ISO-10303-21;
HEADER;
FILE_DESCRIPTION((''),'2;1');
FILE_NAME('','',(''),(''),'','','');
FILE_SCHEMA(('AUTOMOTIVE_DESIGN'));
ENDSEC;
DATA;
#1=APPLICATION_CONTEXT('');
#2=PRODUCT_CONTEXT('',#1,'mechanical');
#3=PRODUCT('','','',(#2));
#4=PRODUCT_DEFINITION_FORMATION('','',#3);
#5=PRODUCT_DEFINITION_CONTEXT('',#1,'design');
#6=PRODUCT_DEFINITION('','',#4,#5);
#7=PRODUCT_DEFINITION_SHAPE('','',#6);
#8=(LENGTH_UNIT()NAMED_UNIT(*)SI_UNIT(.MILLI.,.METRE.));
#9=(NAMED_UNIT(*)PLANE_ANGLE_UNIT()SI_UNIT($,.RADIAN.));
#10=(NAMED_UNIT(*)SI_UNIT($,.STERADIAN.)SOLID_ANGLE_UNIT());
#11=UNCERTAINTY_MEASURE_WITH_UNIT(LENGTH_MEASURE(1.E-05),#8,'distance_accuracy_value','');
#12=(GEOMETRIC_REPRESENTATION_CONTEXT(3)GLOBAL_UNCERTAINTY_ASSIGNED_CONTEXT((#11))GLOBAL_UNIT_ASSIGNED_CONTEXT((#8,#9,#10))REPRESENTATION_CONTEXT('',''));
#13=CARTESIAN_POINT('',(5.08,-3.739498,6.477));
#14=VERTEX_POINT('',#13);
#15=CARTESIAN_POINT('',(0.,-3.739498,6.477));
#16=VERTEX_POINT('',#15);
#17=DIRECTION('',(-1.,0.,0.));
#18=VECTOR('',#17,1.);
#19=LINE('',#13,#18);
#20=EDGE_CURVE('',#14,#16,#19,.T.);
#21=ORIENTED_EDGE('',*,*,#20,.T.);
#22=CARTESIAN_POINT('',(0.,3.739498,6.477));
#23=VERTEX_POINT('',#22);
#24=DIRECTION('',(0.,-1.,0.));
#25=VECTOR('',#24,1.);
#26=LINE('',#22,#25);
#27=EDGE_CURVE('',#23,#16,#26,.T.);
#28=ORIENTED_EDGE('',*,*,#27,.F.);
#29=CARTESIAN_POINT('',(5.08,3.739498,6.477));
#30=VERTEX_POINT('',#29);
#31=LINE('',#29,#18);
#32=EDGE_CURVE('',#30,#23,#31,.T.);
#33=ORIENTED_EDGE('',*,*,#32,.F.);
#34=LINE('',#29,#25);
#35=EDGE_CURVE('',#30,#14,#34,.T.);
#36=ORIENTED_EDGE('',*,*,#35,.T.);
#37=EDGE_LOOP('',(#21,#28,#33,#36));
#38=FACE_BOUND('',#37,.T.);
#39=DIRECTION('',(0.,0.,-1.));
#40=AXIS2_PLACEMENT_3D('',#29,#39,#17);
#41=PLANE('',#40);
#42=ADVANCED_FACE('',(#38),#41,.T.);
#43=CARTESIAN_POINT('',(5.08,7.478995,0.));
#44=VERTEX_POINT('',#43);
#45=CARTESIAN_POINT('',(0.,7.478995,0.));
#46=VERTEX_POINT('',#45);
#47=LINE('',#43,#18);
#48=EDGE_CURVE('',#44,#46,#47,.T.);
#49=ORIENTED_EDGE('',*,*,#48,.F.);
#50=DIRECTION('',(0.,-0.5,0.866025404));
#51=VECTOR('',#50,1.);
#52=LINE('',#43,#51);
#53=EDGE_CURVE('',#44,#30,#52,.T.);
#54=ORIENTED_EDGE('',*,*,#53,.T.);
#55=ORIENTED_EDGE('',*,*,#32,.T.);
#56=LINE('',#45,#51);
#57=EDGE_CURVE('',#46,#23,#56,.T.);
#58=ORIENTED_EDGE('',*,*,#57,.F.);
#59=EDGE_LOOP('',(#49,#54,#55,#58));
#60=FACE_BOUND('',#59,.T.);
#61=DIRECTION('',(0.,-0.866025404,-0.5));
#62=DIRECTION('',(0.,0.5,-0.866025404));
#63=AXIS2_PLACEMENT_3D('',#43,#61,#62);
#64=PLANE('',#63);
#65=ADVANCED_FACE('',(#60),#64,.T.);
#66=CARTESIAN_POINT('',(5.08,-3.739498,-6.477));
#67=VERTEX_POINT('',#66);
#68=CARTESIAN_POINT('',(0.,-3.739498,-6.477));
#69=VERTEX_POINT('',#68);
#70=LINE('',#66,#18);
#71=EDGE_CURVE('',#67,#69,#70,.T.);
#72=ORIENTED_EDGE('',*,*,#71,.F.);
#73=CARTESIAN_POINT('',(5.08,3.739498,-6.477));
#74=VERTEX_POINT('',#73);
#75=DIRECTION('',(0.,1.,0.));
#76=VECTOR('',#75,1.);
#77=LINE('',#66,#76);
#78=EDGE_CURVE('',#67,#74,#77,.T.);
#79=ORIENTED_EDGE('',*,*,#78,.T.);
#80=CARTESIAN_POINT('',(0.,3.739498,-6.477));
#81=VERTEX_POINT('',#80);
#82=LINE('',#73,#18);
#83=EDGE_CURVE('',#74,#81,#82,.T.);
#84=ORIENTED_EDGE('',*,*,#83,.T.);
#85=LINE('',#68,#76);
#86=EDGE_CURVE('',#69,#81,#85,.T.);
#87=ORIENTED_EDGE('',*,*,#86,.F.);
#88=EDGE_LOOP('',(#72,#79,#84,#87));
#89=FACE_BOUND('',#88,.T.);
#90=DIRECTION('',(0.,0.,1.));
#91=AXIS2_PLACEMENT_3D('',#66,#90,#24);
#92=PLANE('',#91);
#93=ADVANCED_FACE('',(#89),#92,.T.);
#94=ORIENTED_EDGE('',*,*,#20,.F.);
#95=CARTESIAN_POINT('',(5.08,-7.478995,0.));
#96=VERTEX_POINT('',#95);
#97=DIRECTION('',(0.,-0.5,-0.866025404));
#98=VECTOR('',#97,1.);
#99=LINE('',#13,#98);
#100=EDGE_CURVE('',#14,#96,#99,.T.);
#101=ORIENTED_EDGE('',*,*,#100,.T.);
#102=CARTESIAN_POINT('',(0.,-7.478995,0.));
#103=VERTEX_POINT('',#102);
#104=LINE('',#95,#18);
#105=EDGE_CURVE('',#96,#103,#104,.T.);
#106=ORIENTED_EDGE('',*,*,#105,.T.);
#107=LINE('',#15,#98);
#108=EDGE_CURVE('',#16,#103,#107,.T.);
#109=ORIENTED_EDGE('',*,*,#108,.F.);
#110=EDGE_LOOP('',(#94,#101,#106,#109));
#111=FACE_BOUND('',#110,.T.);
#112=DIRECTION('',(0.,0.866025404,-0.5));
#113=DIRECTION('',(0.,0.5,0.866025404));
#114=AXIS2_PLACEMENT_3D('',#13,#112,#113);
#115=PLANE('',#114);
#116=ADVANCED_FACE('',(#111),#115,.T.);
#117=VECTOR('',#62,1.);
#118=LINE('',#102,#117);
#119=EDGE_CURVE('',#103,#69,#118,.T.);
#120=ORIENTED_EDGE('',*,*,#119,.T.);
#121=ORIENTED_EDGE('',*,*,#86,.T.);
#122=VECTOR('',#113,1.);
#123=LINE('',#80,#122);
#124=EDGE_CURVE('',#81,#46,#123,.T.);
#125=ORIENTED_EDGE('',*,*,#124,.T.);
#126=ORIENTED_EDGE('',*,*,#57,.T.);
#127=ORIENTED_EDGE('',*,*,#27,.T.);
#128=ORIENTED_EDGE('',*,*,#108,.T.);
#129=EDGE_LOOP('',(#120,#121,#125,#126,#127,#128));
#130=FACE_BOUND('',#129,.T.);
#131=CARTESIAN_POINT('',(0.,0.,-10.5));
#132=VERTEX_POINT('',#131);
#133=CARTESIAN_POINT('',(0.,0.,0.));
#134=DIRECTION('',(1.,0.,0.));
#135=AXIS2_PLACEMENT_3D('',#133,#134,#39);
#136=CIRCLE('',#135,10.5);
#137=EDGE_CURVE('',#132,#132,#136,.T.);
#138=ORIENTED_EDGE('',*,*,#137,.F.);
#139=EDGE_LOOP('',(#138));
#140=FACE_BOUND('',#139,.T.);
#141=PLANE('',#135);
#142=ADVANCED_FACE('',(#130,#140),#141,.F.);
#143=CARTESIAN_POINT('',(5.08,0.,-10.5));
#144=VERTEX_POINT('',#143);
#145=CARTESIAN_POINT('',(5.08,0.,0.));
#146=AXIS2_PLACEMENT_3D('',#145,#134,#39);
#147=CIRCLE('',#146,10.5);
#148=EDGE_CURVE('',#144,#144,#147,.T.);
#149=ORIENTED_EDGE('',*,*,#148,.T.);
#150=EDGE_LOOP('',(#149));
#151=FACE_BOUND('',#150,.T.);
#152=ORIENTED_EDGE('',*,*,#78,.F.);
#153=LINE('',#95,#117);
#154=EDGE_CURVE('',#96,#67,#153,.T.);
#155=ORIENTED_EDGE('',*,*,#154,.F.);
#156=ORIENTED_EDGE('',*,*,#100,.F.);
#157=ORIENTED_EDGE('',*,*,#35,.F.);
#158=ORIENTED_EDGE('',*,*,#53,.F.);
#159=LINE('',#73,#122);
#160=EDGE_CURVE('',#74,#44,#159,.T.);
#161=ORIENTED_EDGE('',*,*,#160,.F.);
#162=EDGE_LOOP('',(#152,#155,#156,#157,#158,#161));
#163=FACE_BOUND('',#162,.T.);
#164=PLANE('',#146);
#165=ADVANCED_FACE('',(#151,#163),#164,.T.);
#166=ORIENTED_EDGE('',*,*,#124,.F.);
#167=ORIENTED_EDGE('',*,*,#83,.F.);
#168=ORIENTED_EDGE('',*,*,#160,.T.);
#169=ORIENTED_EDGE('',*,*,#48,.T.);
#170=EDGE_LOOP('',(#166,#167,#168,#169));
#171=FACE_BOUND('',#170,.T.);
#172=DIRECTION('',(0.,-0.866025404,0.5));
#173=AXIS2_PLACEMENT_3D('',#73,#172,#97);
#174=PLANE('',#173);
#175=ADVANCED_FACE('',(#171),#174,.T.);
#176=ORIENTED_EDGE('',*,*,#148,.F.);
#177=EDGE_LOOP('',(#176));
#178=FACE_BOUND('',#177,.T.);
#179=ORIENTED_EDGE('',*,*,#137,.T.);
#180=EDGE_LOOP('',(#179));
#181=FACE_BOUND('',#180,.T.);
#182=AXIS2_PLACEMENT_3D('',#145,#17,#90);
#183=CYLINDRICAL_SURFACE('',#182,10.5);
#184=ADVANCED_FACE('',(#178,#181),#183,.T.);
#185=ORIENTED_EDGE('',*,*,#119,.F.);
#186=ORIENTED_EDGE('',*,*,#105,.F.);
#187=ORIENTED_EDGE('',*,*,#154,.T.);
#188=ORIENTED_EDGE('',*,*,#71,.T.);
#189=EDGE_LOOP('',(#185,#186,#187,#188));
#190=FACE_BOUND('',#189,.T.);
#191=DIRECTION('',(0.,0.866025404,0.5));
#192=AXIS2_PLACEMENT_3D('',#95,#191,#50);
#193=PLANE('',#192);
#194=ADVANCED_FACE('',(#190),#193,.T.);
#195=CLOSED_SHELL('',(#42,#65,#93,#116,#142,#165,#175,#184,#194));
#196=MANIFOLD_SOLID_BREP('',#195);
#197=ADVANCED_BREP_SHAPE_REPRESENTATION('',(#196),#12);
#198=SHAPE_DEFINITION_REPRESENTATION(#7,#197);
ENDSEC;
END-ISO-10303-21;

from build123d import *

# Parameters (mm, degrees)
SKETCH1_R           = 10.5
BOSS_EXTRUDE1_DEPTH = 5.08


with BuildPart() as part:
    # Sketch1 → Boss-Extrude1 (new body)
    with BuildSketch(Plane(origin=(0, 0, 0), x_dir=(0, 0, -1), z_dir=(1, 0, 0))):
        Circle(SKETCH1_R)
        Polygon((0, 7.478995387), (-6.477, 3.739497694), (-6.477, -3.739497694), (0, -7.478995387), (6.477, -3.739497694), (6.477, 3.739497694), align=None, mode=Mode.SUBTRACT)
    extrude(amount=BOSS_EXTRUDE1_DEPTH)


solid = part.part
